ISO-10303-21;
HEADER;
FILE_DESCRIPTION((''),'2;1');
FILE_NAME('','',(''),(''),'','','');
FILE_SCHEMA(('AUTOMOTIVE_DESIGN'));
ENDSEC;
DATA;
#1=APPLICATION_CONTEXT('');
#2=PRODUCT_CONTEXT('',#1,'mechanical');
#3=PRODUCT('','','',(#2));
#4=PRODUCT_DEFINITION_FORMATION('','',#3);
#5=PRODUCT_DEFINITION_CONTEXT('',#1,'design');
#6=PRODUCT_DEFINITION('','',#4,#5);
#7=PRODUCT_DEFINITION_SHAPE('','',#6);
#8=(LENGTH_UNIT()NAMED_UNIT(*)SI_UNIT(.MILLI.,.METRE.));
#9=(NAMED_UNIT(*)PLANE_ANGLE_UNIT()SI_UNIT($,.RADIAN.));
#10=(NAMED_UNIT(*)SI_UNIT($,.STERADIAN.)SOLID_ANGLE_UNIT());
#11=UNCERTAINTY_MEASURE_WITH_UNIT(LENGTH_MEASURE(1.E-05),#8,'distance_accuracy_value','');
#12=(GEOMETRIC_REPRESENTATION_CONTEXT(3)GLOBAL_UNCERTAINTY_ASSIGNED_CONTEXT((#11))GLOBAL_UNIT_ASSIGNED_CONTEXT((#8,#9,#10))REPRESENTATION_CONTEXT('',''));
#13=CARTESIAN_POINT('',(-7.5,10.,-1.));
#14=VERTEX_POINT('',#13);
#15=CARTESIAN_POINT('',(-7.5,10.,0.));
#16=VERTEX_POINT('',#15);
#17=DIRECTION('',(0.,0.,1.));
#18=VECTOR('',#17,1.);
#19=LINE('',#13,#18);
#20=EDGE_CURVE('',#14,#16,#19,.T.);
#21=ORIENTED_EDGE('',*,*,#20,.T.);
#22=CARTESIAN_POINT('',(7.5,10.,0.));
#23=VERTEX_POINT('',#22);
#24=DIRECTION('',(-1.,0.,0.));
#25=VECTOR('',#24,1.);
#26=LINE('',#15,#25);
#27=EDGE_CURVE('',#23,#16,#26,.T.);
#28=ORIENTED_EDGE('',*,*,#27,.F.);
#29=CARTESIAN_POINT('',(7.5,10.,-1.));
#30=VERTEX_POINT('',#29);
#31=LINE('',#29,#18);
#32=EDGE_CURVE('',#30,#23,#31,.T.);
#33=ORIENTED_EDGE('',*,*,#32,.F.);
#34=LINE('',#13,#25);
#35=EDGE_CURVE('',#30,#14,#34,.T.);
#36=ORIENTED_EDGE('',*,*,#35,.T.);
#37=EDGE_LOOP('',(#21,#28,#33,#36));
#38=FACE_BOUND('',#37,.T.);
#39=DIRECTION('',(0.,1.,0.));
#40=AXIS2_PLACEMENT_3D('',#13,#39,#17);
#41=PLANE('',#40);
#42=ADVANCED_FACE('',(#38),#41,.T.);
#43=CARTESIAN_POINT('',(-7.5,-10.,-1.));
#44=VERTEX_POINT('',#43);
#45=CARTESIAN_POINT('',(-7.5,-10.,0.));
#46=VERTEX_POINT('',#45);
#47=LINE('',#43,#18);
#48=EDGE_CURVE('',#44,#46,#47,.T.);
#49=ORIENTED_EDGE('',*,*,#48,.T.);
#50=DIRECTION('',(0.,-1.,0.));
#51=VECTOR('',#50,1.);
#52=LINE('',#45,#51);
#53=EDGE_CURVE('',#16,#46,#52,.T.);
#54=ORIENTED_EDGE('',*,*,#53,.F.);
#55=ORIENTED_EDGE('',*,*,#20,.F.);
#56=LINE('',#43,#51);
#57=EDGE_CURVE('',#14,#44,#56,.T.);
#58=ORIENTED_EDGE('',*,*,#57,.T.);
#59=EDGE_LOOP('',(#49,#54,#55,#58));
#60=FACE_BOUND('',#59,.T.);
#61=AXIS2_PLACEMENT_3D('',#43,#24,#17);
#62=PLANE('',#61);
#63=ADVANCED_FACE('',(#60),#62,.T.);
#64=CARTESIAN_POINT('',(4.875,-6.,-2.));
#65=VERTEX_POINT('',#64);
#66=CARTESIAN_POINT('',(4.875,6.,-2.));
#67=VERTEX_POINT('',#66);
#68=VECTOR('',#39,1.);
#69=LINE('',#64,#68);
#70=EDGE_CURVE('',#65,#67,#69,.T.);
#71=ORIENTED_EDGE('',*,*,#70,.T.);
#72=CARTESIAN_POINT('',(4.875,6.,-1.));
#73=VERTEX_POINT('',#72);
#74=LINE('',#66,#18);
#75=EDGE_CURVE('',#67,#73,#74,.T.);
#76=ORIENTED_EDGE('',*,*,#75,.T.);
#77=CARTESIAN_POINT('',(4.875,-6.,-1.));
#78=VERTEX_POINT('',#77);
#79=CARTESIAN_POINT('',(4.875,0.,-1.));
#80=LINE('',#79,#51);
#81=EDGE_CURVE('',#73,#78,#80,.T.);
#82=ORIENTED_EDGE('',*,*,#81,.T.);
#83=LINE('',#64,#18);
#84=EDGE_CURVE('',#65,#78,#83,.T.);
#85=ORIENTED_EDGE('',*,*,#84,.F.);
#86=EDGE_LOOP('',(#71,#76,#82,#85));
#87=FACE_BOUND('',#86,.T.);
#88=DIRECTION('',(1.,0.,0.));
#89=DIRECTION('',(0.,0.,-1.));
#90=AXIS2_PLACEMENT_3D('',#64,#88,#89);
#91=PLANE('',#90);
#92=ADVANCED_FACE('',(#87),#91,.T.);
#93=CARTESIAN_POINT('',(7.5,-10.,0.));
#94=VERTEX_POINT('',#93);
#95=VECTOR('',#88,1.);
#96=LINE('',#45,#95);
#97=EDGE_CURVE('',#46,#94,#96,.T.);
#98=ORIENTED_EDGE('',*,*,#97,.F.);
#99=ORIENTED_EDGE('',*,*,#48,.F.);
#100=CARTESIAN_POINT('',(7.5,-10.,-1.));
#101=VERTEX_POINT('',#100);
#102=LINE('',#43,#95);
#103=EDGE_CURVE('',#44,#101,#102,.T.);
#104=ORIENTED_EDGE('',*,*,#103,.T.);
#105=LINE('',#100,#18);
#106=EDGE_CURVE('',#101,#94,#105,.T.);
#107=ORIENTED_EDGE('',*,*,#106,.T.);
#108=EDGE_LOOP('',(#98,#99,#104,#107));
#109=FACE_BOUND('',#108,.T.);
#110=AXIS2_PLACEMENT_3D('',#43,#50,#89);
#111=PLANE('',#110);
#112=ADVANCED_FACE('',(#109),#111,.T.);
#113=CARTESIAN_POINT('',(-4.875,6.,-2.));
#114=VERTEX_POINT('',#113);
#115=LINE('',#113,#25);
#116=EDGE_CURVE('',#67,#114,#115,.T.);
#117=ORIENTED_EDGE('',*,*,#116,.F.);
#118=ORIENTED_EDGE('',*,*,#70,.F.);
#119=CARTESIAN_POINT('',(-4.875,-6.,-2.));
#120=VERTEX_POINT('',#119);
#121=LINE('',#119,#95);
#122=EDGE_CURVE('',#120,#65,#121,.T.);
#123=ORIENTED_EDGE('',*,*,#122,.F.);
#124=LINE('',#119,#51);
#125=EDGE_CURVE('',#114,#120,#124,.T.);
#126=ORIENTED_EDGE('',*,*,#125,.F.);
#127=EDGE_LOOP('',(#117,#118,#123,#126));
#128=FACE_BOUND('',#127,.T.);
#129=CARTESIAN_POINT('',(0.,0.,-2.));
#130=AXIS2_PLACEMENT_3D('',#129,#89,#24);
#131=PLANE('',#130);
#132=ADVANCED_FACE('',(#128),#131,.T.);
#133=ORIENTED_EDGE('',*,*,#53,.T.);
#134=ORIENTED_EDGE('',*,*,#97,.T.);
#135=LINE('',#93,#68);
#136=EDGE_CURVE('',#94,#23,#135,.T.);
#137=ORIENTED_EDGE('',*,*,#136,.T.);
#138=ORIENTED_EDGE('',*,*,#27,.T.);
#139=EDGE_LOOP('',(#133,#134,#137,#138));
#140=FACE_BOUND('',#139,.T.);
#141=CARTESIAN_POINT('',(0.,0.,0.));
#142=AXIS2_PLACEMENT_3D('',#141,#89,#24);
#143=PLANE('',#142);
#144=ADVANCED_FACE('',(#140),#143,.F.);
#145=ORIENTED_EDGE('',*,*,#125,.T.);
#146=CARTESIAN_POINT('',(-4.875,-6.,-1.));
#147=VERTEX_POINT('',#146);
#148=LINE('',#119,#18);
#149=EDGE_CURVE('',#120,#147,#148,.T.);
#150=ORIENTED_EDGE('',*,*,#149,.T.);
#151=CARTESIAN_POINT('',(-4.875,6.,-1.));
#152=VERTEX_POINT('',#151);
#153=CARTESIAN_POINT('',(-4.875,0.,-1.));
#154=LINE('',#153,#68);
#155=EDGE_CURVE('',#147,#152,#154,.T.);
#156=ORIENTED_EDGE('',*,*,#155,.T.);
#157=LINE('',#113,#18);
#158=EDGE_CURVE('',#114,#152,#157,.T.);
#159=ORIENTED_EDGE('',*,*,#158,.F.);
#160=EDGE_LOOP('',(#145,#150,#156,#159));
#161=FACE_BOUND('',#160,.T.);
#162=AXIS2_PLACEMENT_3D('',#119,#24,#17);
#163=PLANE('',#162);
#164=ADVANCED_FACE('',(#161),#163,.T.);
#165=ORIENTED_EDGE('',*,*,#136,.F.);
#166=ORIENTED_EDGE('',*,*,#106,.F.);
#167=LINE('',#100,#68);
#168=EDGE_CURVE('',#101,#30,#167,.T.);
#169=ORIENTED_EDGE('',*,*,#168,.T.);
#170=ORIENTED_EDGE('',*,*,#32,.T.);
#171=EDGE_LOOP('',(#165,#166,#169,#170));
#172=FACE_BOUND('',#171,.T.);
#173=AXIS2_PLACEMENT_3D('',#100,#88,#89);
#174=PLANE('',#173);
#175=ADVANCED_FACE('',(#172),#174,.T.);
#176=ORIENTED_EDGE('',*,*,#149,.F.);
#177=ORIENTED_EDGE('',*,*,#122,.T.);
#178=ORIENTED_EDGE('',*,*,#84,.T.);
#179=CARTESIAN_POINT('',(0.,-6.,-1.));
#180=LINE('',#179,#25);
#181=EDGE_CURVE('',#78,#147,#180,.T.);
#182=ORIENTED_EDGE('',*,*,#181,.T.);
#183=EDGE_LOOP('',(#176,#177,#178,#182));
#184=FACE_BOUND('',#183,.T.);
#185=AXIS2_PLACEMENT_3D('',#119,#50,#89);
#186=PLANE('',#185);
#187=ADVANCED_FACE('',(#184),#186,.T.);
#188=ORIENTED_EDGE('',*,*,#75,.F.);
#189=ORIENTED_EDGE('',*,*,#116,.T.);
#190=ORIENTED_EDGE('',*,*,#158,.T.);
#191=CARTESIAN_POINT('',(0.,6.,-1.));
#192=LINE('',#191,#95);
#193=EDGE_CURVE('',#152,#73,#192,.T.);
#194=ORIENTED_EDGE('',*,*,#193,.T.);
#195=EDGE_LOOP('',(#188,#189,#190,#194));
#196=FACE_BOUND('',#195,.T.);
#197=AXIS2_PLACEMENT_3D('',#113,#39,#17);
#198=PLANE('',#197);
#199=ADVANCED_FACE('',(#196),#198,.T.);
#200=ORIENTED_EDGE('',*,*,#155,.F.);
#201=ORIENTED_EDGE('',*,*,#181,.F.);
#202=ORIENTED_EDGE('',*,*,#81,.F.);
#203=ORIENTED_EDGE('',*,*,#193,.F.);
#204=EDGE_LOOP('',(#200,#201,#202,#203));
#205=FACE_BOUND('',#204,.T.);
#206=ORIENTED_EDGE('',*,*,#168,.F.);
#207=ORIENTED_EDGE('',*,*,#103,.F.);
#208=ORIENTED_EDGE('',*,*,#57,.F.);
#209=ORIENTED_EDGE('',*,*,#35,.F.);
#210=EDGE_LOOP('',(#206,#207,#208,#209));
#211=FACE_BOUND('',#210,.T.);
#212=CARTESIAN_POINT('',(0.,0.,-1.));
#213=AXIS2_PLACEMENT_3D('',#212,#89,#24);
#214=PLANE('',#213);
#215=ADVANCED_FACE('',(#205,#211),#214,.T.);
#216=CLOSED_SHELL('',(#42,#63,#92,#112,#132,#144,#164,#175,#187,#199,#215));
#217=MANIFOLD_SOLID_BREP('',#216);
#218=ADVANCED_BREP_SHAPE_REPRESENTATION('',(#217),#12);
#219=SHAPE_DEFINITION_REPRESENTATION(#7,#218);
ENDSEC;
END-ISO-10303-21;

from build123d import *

# Parameters (mm, degrees)
SKETCH1_W           = 15
SKETCH1_H           = 20
BOSS_EXTRUDE1_DEPTH = 1
SKETCH2_W           = 9.75
SKETCH2_H           = 12
BOSS_EXTRUDE2_DEPTH = 2


with BuildPart() as part:
    # Sketch1 → Boss-Extrude1 (new body)
    with BuildSketch(Plane.XY):
        Rectangle(SKETCH1_W, SKETCH1_H)
    extrude(amount=-BOSS_EXTRUDE1_DEPTH)

    # Sketch2 → Boss-Extrude2 (add)
    with BuildSketch(Plane.XY):
        Rectangle(SKETCH2_W, SKETCH2_H)
    extrude(amount=-BOSS_EXTRUDE2_DEPTH)


solid = part.part
